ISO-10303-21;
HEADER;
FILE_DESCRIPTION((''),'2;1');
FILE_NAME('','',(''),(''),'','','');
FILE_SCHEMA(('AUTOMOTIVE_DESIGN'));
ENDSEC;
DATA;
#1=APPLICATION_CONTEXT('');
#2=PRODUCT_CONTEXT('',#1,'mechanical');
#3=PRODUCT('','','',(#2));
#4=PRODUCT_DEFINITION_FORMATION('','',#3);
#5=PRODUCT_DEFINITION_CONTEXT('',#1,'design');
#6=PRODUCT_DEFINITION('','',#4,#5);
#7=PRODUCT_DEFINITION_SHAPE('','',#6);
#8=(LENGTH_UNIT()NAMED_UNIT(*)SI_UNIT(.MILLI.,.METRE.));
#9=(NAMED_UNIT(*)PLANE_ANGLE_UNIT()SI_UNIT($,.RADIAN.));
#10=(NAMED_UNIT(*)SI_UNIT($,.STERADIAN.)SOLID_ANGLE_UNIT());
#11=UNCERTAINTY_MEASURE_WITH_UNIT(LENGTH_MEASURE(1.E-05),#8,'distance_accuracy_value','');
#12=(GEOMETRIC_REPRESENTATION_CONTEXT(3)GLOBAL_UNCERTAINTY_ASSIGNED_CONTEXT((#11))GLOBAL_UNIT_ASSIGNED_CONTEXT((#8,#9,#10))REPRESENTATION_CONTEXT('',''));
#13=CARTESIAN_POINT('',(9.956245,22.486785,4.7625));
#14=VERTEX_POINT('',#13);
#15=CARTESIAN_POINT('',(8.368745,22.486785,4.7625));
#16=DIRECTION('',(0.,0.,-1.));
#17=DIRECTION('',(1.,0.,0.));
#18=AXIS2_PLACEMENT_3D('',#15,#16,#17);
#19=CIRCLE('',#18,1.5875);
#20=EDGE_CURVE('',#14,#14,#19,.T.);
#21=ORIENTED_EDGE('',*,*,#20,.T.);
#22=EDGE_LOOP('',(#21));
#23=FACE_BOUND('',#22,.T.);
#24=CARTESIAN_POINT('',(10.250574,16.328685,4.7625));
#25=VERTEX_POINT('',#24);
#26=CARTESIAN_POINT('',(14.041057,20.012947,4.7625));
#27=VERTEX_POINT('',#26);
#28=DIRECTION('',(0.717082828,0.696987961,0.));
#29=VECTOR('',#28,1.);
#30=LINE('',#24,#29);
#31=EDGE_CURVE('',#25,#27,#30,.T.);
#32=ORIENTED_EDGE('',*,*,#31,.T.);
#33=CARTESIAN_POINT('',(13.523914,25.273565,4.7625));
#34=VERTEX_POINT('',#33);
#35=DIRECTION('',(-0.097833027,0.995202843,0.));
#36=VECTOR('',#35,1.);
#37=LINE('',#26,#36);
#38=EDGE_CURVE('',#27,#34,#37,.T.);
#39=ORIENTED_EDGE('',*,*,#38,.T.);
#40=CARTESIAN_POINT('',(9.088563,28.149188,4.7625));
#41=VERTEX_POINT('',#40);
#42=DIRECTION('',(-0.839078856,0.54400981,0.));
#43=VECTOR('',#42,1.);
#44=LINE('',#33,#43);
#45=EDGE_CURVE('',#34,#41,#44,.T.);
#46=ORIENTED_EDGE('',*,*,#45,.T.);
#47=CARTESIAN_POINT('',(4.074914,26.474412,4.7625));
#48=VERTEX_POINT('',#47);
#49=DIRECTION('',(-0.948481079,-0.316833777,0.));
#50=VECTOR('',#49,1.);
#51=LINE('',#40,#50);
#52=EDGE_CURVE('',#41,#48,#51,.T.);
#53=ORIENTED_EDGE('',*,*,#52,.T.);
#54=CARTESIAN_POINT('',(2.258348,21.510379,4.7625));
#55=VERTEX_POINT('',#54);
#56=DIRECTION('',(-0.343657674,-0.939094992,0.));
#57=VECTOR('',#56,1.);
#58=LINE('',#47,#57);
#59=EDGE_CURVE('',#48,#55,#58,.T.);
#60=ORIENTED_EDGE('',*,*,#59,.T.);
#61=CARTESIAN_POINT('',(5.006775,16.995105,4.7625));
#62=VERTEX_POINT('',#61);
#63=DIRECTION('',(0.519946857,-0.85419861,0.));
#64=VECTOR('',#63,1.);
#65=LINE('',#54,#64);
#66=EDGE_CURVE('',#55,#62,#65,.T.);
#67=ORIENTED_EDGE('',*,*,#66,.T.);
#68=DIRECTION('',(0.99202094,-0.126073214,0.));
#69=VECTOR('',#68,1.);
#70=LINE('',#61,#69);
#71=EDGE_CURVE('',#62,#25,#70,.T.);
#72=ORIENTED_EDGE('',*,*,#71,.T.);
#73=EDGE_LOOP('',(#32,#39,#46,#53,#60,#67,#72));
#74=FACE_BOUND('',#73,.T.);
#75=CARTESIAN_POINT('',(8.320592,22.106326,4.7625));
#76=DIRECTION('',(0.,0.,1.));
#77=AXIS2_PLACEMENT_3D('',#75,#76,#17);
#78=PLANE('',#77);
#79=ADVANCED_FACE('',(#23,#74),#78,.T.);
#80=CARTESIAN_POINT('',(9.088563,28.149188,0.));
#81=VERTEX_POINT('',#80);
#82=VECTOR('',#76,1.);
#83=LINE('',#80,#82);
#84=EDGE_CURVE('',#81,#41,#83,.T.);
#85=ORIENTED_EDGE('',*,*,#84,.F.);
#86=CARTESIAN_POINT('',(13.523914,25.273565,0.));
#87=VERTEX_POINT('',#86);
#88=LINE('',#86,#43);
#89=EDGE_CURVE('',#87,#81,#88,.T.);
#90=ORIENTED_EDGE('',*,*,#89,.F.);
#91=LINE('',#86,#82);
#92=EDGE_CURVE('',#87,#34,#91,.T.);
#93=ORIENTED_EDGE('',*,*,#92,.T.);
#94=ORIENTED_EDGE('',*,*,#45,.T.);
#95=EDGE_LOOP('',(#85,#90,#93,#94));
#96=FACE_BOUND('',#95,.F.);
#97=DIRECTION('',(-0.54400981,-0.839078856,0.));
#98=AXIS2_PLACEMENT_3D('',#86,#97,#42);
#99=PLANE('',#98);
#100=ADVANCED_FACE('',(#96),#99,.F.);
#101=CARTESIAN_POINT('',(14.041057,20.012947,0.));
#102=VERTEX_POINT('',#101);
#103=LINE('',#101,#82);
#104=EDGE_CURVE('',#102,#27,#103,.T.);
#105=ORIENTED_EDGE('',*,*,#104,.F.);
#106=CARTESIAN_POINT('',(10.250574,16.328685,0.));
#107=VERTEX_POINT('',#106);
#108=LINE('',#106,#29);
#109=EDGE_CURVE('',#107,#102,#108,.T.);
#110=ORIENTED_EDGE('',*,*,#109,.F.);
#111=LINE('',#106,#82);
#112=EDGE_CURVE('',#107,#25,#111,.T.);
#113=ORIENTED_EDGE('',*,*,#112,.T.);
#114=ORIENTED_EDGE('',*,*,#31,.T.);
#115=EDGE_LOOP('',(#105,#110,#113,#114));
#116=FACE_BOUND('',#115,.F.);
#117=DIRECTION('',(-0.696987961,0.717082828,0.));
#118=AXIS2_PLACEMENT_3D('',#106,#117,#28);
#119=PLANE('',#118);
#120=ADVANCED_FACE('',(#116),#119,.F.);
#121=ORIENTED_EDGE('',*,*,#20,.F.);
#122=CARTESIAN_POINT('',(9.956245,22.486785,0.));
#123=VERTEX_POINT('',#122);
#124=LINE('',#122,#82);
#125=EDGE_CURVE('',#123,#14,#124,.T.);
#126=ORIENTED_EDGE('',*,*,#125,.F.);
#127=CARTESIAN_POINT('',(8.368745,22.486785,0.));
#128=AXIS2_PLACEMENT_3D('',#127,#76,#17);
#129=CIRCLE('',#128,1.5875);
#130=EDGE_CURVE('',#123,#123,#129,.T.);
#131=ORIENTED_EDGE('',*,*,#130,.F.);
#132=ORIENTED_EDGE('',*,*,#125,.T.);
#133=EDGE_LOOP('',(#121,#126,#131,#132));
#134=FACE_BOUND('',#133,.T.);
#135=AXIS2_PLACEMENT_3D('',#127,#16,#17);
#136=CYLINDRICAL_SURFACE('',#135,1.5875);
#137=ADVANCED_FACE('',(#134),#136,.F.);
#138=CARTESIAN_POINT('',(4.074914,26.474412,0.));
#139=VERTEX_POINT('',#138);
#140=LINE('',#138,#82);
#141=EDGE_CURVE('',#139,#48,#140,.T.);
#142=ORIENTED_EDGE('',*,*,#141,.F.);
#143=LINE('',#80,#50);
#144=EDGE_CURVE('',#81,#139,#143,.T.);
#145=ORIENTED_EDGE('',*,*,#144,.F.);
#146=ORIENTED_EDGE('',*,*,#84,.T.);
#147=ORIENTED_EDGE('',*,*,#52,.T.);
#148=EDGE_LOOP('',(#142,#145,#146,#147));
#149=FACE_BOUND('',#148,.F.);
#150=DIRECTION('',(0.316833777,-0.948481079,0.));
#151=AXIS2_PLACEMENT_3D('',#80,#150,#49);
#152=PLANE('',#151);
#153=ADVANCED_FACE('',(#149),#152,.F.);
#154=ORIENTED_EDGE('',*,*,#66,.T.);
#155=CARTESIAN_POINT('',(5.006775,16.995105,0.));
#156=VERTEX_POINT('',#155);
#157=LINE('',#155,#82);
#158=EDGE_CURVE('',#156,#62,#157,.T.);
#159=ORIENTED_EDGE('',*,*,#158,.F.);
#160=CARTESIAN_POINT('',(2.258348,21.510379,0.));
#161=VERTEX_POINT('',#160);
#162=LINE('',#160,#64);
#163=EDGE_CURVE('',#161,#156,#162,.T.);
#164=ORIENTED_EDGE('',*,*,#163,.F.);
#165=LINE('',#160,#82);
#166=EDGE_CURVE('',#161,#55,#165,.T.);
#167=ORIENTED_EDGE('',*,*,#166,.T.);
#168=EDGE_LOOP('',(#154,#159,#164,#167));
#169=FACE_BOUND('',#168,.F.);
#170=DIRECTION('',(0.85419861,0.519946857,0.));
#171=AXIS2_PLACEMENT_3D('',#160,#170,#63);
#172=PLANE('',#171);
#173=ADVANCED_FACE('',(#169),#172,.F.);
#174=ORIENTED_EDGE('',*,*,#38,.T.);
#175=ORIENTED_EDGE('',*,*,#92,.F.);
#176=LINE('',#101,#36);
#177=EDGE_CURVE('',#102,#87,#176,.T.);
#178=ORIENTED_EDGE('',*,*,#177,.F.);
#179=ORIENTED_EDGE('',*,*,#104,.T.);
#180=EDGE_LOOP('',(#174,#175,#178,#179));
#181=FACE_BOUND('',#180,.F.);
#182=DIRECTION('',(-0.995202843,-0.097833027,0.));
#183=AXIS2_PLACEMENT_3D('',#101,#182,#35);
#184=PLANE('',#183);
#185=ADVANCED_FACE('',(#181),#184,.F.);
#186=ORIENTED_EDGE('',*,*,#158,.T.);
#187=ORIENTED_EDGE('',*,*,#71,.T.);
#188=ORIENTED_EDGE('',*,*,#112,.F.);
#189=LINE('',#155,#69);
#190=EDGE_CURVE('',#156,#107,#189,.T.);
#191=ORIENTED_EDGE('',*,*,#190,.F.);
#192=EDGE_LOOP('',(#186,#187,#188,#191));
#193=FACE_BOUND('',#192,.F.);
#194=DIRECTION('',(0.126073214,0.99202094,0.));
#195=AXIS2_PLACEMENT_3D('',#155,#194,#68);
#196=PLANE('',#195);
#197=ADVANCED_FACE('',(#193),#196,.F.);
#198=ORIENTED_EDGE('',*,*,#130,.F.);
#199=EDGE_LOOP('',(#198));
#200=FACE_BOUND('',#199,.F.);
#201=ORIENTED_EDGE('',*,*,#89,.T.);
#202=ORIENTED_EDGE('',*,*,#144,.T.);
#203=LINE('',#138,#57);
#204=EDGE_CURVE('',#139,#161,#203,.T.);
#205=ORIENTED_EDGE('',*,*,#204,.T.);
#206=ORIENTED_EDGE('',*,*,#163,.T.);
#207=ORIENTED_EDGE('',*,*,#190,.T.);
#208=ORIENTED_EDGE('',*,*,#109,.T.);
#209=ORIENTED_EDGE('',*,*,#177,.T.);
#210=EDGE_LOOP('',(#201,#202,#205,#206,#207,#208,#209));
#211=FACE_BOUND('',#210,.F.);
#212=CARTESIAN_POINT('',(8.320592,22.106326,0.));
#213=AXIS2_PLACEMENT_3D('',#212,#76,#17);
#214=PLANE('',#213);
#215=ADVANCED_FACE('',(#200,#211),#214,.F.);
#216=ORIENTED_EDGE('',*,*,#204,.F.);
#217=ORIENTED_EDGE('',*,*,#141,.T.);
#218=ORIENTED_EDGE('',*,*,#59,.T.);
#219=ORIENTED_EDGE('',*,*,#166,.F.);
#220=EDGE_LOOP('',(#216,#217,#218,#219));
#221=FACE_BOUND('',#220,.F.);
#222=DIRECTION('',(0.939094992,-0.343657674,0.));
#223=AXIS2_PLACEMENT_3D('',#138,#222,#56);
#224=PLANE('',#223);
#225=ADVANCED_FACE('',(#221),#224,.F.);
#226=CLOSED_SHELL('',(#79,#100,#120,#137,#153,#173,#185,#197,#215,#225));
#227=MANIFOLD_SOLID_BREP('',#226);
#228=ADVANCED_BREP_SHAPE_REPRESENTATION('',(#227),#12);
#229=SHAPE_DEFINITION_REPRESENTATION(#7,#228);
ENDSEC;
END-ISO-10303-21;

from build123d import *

# Parameters (mm, degrees)
F2_DEPTH = 4.7625
F3_R     = 1.5875
F5_DEPTH = 39.878


with BuildPart() as f2:
    # F0 (on Top) → F2 (new body)
    with BuildSketch(Plane.XY):
        Polygon((2.258348, 21.510379), (5.006775, 16.995105), (10.250574, 16.328685), (14.041057, 20.012947), (13.523914, 25.273565), (9.088563, 28.149188), (4.074914, 26.474412), align=None)
    extrude(amount=F2_DEPTH)

    # F3 (on Top) → F5 (cut)
    with BuildSketch(Plane.XY):
        with Locations((8.368745, 22.486785)):
            Circle(F3_R)
    extrude(amount=F5_DEPTH, mode=Mode.SUBTRACT)


solid = f2.part
